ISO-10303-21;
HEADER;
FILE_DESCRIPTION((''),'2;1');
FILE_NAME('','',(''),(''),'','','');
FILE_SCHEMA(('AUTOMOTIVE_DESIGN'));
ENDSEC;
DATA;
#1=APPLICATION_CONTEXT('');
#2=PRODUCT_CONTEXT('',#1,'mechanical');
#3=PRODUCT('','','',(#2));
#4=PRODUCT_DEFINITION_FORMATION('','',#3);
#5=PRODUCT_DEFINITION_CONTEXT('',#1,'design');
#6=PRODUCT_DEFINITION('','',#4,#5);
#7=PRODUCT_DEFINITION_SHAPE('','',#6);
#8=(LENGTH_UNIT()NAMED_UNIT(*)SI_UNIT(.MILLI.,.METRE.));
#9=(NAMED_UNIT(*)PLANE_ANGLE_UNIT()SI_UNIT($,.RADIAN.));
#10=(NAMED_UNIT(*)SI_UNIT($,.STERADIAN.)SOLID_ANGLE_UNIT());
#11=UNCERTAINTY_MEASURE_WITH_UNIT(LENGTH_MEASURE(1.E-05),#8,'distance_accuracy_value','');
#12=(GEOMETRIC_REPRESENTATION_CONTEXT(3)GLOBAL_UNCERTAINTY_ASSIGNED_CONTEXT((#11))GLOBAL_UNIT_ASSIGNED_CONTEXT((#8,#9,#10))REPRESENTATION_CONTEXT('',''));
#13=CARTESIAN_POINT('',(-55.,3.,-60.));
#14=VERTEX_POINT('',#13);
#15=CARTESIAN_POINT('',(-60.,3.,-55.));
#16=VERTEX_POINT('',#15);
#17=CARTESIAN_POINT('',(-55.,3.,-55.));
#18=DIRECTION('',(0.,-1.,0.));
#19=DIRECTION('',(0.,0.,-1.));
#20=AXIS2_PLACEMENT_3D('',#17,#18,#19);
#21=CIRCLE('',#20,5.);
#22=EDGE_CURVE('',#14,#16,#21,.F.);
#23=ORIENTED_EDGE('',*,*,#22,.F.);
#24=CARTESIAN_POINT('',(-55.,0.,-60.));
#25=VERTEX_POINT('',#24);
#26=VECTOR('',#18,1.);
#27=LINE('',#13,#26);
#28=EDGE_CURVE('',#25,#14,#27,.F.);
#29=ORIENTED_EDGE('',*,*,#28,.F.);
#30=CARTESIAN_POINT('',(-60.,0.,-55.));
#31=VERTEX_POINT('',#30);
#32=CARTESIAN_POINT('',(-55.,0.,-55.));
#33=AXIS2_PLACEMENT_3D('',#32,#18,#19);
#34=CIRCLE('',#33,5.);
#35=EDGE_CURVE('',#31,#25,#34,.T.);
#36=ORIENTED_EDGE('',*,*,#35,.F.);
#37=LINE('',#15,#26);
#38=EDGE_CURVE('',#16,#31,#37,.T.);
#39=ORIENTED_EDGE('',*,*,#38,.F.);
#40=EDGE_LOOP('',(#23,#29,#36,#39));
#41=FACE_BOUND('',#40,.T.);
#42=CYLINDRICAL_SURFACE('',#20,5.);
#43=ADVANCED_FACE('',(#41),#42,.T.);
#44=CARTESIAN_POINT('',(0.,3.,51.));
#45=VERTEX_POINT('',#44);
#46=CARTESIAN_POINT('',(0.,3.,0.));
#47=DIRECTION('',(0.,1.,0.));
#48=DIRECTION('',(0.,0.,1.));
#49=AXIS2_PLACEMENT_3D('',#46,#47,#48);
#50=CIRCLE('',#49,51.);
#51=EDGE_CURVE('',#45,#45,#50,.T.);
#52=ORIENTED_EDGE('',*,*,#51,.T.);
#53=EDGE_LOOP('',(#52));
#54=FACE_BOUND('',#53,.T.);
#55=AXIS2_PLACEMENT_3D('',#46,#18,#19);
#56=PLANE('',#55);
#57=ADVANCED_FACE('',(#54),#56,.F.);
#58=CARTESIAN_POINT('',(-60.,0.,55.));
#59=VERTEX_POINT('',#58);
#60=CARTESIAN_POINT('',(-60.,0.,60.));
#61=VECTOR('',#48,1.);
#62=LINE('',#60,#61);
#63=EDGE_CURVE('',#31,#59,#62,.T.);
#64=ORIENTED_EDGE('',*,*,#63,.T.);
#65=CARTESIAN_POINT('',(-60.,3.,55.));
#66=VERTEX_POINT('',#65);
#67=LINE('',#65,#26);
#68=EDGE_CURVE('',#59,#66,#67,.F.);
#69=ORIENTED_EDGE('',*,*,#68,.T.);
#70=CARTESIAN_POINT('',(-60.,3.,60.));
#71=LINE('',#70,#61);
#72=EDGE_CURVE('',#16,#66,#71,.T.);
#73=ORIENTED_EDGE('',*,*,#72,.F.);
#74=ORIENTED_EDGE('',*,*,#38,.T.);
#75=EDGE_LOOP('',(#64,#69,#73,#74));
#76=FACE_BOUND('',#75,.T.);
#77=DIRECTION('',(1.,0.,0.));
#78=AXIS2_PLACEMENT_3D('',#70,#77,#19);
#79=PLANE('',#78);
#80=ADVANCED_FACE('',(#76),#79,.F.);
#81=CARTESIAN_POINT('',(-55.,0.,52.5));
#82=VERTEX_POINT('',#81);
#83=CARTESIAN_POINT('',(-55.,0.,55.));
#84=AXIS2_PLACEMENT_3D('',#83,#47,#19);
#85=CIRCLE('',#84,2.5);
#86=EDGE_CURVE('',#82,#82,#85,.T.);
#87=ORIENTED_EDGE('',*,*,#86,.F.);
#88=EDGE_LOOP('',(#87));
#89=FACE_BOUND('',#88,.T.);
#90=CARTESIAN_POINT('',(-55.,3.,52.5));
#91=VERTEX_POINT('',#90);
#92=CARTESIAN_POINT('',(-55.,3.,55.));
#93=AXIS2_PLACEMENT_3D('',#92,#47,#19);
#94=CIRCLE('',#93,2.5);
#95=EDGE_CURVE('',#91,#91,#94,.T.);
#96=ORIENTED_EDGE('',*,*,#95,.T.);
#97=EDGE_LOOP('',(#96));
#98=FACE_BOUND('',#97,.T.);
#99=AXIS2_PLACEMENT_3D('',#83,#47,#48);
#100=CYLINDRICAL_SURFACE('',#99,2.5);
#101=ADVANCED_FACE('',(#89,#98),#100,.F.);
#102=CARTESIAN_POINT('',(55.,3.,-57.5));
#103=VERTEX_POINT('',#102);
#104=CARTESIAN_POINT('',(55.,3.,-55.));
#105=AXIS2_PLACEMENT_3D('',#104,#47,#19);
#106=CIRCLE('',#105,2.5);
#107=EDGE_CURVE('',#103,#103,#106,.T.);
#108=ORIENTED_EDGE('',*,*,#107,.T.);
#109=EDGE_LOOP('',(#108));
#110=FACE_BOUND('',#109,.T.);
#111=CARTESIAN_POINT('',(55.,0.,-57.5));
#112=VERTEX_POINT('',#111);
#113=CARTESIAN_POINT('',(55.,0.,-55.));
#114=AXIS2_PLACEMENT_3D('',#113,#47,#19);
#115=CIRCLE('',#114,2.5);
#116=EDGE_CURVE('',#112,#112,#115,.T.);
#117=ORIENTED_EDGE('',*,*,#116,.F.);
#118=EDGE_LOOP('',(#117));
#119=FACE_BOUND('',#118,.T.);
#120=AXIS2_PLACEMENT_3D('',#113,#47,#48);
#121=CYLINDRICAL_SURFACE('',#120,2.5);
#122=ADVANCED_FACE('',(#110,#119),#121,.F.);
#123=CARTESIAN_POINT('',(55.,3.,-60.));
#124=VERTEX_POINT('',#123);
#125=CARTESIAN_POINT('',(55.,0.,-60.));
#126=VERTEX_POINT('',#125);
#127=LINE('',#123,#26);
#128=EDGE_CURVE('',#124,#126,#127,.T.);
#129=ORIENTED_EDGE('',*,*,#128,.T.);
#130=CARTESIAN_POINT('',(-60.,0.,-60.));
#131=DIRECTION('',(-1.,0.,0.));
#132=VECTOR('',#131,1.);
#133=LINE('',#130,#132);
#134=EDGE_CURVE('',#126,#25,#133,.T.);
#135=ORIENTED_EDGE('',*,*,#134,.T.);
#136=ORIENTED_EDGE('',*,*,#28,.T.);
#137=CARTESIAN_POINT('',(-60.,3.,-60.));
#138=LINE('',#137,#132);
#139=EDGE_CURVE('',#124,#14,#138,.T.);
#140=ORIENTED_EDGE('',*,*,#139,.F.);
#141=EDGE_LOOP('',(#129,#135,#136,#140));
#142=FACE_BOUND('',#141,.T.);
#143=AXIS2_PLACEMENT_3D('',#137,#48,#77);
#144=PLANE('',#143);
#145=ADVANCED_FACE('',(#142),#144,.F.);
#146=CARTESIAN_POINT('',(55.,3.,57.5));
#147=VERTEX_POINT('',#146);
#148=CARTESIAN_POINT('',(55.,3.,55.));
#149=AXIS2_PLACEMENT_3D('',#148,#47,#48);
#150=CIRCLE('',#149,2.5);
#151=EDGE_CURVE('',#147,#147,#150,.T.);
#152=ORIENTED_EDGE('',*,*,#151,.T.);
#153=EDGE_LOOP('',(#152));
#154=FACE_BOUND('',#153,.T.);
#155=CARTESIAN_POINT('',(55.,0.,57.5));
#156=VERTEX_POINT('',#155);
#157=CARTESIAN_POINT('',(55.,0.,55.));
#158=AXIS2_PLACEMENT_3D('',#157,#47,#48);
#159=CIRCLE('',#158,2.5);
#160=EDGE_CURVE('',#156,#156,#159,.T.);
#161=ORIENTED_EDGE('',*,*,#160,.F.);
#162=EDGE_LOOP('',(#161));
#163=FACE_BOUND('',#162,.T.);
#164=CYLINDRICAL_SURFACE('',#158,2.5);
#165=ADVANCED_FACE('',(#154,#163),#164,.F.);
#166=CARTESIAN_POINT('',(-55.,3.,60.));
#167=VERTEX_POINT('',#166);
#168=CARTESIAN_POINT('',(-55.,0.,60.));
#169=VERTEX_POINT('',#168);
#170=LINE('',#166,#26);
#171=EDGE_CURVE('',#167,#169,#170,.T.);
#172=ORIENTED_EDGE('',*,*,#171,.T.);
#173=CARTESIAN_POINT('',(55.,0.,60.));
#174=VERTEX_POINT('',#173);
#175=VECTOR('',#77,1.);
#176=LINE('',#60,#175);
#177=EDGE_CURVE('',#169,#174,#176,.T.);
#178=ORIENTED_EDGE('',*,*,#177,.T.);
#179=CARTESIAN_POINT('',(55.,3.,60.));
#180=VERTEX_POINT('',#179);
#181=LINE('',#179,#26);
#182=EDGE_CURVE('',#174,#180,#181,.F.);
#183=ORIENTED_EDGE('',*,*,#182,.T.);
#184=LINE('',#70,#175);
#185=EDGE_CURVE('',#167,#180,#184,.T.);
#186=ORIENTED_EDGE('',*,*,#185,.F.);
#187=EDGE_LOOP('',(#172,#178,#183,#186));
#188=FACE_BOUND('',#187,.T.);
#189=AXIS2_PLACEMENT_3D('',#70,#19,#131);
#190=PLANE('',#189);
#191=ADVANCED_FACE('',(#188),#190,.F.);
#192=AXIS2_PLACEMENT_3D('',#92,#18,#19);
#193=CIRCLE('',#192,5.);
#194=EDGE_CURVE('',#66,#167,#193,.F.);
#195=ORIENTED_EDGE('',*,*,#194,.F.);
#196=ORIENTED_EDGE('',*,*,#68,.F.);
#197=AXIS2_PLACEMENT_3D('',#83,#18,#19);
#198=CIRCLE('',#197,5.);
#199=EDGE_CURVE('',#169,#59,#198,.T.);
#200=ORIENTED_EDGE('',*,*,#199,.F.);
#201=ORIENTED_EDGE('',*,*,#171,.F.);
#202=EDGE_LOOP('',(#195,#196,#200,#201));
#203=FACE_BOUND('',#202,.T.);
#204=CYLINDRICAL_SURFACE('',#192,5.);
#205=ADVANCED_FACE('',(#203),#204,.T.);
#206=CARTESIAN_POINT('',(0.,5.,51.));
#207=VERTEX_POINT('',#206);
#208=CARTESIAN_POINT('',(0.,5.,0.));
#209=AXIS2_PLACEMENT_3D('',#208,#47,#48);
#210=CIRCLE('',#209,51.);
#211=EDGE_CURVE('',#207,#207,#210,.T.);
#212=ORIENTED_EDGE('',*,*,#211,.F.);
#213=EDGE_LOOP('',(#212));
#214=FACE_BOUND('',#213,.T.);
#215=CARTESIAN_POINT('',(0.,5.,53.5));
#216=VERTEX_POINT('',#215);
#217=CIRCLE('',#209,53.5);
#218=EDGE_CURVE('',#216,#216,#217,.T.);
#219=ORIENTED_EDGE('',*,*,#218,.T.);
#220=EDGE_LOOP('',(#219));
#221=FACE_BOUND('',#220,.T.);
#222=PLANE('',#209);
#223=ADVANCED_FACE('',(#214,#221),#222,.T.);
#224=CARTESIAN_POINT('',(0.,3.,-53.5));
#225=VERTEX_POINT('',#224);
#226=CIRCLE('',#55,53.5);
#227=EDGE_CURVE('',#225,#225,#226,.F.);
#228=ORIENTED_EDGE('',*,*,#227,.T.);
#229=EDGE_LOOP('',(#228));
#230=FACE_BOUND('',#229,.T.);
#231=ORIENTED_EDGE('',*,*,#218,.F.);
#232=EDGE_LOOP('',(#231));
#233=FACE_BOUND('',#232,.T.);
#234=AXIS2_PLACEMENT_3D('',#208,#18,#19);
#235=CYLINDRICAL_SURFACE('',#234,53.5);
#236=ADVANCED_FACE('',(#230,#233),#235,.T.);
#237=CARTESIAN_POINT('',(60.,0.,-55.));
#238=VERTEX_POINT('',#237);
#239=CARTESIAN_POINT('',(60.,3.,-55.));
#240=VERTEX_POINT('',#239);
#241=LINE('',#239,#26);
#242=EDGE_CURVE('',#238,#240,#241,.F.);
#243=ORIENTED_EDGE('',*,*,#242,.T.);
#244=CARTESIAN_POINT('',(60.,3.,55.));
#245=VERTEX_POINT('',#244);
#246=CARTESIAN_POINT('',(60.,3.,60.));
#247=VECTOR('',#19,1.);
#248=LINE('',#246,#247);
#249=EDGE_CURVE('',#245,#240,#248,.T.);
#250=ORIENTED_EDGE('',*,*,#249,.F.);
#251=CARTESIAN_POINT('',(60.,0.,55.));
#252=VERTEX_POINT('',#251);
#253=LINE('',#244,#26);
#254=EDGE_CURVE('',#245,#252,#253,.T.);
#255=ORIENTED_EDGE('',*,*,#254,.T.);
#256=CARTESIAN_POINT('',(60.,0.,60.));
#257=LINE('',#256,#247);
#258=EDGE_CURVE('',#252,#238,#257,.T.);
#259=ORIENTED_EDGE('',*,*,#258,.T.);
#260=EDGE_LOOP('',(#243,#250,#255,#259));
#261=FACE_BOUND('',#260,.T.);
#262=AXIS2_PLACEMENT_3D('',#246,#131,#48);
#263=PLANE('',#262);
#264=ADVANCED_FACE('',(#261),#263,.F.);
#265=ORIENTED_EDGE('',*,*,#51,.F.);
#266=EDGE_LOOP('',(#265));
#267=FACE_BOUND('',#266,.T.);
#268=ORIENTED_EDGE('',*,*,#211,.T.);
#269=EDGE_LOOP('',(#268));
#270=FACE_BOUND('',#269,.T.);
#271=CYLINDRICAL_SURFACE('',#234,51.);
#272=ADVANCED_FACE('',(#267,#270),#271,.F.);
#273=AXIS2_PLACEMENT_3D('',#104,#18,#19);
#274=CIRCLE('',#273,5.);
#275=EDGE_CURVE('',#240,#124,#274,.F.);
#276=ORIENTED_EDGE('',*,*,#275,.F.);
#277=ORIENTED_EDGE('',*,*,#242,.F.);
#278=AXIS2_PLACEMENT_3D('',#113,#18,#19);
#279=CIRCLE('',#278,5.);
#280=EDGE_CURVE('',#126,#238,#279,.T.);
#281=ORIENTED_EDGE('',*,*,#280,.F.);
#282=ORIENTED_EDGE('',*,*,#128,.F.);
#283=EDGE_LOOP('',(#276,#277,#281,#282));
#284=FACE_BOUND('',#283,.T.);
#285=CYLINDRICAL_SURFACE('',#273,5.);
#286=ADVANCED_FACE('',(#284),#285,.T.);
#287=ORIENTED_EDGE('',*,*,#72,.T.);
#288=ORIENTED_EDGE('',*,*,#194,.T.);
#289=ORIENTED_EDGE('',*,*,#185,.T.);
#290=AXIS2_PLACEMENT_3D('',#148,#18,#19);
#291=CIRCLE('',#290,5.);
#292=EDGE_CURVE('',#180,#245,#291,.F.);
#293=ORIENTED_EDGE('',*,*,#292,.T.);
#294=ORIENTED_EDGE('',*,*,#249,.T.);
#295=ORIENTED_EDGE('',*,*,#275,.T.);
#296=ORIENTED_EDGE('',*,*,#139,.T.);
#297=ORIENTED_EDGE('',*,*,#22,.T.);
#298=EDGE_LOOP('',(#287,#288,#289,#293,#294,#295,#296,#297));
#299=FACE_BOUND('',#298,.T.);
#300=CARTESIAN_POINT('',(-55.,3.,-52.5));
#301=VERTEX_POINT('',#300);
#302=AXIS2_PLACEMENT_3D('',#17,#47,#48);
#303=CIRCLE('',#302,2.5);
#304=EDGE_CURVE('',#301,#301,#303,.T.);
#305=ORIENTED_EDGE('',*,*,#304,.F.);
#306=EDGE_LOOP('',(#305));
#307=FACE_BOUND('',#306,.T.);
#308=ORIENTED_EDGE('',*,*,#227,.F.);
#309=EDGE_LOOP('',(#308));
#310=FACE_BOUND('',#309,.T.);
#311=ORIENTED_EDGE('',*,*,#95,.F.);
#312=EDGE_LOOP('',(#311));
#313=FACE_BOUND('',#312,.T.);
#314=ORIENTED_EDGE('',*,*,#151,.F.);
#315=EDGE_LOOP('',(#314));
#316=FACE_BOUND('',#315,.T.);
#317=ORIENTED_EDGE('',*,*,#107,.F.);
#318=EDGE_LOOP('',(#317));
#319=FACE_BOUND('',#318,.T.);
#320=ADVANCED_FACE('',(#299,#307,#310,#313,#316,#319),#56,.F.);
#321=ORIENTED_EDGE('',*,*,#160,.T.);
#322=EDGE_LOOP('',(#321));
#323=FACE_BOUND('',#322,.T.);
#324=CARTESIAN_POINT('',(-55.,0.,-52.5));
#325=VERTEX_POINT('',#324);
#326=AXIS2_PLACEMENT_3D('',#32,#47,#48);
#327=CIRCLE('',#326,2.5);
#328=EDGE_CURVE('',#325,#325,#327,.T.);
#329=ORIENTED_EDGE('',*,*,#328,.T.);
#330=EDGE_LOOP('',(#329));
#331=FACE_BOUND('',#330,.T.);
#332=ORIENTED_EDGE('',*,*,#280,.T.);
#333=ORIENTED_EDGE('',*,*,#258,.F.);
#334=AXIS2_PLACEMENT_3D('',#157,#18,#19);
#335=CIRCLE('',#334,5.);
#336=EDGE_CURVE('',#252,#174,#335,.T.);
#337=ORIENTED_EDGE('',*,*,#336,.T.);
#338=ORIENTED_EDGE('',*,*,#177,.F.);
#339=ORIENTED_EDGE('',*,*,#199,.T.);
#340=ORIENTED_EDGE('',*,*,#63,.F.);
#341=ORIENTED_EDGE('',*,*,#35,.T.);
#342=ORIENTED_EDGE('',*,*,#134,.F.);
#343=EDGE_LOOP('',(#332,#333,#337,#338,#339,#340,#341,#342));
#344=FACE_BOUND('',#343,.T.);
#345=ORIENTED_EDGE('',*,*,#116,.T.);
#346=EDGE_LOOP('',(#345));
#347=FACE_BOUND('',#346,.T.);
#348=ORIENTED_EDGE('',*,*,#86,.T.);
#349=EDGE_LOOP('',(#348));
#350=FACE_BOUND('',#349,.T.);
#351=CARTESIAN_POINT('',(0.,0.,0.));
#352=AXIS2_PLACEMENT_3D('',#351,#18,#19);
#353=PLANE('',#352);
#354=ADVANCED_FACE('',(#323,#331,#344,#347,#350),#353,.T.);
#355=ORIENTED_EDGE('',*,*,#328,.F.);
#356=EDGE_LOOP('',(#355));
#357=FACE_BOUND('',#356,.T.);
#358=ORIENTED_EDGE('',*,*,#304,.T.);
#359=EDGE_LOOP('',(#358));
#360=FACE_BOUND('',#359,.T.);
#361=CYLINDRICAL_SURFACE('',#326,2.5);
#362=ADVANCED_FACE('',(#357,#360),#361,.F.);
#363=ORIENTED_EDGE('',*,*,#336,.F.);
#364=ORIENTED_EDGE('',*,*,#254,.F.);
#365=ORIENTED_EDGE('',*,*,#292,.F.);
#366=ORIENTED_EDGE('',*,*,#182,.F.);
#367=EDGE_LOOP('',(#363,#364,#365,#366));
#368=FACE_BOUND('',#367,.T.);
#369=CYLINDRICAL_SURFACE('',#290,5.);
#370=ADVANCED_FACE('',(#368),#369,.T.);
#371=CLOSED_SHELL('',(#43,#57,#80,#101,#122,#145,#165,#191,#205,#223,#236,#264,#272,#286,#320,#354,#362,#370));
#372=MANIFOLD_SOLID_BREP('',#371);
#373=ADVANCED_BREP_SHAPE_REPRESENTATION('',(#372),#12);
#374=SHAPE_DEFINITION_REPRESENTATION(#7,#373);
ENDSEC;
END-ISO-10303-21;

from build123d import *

# Parameters (mm, degrees)
SKETCH1_W           = 120
SKETCH1_H           = 120
BOSS_EXTRUDE1_DEPTH = 3
SKETCH2_R           = 53.5
SKETCH2_R_2         = 51
BOSS_EXTRUDE2_DEPTH = 2
SKETCH3_R           = 2.5
CUT_EXTRUDE1_DEPTH  = 3
FILLET2_R           = 5


with BuildPart() as part:
    # Sketch1 → Boss-Extrude1 (new body)
    with BuildSketch(Plane(origin=(0, 0, 0), x_dir=(1, 0, 0), z_dir=(0, 1, 0))):
        Rectangle(SKETCH1_W, SKETCH1_H)
    extrude(amount=BOSS_EXTRUDE1_DEPTH)

    # Sketch2 → Boss-Extrude2 (add)
    with BuildSketch(Plane(origin=(0, 3, 0), x_dir=(1, 0, 0), z_dir=(0, 1, 0))):
        with Locations(Location((0, 0, 0), (0, 0, 90))):
            Circle(SKETCH2_R)
        with Locations(Location((0, 0, 0), (0, 0, 270))):
            Circle(SKETCH2_R_2, mode=Mode.SUBTRACT)
    extrude(amount=BOSS_EXTRUDE2_DEPTH)

    # Sketch3 → Cut-Extrude1 (cut)
    with BuildSketch(Plane(origin=(0, 3, 0), x_dir=(1, 0, 0), z_dir=(0, 1, 0))):
        with Locations(Location((-55, 55, 0), (0, 0, 270))):
            Circle(SKETCH3_R)
        with Locations(Location((55, 55, 0), (0, 0, 90))):
            Circle(SKETCH3_R)
        with Locations(Location((-55, -55, 0), (0, 0, 90))):
            Circle(SKETCH3_R)
        with Locations(Location((55, -55, 0), (0, 0, 270))):
            Circle(SKETCH3_R)
    extrude(amount=-CUT_EXTRUDE1_DEPTH, mode=Mode.SUBTRACT)

    # Fillet2
    fillet2_edges = [part.edges().sort_by_distance(p)[0] for p in [
        (60, 1.5, 60),
        (-60, 1.5, 60),
        (-60, 1.5, -60),
        (60, 1.5, -60),
    ]]
    fillet(fillet2_edges, radius=FILLET2_R)


solid = part.part
